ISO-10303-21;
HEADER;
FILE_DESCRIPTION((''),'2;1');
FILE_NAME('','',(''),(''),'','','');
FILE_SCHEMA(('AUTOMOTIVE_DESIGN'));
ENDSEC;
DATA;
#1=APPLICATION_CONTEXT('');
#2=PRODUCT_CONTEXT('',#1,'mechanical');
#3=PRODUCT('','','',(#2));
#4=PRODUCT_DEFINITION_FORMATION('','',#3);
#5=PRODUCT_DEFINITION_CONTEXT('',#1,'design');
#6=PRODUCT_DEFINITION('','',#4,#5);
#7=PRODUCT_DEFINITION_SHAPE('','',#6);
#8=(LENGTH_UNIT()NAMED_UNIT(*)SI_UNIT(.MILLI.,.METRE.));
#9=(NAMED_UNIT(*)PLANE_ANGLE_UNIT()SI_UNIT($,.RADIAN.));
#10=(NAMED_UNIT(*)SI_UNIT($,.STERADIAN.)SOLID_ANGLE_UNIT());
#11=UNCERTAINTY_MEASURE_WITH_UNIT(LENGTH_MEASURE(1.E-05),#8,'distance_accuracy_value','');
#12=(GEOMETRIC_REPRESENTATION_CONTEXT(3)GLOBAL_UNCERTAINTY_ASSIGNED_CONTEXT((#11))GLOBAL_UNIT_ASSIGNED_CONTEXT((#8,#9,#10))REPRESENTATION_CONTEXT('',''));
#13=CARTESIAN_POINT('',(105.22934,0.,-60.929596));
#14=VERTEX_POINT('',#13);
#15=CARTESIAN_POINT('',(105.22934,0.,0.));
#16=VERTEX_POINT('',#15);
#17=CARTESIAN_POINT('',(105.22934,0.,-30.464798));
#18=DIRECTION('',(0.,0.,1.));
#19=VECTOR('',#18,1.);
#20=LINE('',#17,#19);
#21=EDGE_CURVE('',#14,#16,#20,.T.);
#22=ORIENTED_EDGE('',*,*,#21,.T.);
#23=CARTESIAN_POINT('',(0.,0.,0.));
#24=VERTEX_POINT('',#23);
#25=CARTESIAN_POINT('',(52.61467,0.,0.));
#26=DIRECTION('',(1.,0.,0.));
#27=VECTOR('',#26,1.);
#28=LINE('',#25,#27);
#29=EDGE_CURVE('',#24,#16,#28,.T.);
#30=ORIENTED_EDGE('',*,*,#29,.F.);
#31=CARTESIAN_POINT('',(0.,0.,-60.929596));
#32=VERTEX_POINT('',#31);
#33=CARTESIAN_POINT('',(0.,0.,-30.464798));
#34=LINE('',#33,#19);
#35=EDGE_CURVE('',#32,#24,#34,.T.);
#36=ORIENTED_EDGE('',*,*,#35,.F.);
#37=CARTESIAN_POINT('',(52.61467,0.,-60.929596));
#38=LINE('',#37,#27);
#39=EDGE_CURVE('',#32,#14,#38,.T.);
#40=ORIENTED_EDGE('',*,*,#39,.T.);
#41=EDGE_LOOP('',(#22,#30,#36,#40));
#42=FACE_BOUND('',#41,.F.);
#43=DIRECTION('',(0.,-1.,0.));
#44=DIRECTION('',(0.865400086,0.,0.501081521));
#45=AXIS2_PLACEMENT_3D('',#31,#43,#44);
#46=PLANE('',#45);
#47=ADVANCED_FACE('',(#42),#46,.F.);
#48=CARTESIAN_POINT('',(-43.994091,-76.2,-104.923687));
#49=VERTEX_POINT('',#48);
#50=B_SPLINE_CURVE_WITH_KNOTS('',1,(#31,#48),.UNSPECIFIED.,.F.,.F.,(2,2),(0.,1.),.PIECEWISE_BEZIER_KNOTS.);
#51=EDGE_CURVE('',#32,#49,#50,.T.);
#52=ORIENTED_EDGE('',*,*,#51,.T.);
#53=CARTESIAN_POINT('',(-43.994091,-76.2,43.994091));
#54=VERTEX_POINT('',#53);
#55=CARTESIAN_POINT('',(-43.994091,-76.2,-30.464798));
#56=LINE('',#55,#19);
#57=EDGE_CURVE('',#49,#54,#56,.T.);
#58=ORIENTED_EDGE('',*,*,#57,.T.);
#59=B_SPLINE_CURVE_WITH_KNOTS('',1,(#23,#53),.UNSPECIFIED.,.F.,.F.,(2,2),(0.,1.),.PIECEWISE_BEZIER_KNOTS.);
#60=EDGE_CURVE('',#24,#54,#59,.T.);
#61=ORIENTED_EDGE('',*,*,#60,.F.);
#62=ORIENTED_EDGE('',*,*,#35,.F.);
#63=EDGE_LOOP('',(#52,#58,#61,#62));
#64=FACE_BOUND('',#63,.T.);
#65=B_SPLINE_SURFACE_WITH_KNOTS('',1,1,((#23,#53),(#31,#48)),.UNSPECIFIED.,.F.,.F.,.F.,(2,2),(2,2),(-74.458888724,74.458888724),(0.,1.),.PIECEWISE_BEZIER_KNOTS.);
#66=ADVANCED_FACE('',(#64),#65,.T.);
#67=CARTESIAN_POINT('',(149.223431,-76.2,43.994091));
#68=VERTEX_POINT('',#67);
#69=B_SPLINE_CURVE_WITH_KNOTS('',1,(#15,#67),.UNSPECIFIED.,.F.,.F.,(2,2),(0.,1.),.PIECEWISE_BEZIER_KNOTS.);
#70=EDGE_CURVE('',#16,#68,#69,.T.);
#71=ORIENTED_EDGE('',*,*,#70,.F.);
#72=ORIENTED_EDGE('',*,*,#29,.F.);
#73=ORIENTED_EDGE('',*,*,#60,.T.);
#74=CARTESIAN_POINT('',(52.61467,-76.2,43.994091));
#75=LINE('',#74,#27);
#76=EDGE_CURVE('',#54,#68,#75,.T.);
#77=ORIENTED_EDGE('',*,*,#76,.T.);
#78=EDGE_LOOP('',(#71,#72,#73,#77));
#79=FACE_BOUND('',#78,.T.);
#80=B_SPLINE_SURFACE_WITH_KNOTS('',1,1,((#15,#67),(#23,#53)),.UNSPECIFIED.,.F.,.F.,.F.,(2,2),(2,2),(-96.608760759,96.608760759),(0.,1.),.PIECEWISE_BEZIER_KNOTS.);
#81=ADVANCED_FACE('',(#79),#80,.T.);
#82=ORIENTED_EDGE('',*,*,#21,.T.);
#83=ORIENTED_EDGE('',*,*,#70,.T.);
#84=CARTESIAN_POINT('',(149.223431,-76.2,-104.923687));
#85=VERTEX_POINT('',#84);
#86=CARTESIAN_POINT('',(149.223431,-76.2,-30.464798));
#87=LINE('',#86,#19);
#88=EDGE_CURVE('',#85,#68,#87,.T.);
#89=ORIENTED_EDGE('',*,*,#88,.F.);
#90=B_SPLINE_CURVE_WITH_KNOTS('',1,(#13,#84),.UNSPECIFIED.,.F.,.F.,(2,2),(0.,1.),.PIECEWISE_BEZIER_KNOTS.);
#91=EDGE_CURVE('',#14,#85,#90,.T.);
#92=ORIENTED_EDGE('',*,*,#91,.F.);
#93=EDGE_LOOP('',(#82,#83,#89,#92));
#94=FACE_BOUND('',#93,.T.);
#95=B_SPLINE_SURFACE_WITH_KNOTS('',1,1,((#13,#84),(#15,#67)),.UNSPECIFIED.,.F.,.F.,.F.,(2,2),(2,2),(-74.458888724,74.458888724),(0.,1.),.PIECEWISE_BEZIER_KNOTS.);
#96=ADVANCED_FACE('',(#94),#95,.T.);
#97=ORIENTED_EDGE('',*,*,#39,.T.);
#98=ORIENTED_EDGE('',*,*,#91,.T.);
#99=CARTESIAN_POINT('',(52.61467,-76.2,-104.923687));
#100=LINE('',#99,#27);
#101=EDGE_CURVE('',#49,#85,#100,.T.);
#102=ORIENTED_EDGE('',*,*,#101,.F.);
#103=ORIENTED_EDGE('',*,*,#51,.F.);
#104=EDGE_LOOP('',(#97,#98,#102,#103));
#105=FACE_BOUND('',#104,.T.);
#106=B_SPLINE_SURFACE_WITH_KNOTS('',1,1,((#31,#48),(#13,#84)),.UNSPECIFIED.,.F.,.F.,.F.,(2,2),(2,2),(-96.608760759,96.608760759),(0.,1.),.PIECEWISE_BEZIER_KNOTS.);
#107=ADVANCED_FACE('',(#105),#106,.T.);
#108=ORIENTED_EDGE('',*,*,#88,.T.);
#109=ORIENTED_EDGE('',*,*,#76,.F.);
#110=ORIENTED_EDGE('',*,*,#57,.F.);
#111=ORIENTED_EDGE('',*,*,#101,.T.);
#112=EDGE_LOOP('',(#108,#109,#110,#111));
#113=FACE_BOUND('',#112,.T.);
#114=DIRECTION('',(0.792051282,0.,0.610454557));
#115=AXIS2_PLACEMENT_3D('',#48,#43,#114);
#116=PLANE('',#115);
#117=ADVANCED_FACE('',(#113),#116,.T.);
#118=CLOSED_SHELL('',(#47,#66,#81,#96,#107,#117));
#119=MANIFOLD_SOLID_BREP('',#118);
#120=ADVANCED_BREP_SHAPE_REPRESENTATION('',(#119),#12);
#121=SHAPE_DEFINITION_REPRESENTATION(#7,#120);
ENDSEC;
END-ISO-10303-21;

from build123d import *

# Parameters (mm, degrees)
F0_W     = 105.2293404937
F0_H     = 60.9295964241
F1_DEPTH = 76.2
F1_TAPER = -30


with BuildPart() as f1:
    # F0 (on Front) → F1 (new body)
    with BuildSketch(Plane.XZ):
        with Locations((52.6146702468, -30.4647982121)):
            Rectangle(F0_W, F0_H)
    extrude(amount=F1_DEPTH, taper=F1_TAPER)


solid = f1.part
